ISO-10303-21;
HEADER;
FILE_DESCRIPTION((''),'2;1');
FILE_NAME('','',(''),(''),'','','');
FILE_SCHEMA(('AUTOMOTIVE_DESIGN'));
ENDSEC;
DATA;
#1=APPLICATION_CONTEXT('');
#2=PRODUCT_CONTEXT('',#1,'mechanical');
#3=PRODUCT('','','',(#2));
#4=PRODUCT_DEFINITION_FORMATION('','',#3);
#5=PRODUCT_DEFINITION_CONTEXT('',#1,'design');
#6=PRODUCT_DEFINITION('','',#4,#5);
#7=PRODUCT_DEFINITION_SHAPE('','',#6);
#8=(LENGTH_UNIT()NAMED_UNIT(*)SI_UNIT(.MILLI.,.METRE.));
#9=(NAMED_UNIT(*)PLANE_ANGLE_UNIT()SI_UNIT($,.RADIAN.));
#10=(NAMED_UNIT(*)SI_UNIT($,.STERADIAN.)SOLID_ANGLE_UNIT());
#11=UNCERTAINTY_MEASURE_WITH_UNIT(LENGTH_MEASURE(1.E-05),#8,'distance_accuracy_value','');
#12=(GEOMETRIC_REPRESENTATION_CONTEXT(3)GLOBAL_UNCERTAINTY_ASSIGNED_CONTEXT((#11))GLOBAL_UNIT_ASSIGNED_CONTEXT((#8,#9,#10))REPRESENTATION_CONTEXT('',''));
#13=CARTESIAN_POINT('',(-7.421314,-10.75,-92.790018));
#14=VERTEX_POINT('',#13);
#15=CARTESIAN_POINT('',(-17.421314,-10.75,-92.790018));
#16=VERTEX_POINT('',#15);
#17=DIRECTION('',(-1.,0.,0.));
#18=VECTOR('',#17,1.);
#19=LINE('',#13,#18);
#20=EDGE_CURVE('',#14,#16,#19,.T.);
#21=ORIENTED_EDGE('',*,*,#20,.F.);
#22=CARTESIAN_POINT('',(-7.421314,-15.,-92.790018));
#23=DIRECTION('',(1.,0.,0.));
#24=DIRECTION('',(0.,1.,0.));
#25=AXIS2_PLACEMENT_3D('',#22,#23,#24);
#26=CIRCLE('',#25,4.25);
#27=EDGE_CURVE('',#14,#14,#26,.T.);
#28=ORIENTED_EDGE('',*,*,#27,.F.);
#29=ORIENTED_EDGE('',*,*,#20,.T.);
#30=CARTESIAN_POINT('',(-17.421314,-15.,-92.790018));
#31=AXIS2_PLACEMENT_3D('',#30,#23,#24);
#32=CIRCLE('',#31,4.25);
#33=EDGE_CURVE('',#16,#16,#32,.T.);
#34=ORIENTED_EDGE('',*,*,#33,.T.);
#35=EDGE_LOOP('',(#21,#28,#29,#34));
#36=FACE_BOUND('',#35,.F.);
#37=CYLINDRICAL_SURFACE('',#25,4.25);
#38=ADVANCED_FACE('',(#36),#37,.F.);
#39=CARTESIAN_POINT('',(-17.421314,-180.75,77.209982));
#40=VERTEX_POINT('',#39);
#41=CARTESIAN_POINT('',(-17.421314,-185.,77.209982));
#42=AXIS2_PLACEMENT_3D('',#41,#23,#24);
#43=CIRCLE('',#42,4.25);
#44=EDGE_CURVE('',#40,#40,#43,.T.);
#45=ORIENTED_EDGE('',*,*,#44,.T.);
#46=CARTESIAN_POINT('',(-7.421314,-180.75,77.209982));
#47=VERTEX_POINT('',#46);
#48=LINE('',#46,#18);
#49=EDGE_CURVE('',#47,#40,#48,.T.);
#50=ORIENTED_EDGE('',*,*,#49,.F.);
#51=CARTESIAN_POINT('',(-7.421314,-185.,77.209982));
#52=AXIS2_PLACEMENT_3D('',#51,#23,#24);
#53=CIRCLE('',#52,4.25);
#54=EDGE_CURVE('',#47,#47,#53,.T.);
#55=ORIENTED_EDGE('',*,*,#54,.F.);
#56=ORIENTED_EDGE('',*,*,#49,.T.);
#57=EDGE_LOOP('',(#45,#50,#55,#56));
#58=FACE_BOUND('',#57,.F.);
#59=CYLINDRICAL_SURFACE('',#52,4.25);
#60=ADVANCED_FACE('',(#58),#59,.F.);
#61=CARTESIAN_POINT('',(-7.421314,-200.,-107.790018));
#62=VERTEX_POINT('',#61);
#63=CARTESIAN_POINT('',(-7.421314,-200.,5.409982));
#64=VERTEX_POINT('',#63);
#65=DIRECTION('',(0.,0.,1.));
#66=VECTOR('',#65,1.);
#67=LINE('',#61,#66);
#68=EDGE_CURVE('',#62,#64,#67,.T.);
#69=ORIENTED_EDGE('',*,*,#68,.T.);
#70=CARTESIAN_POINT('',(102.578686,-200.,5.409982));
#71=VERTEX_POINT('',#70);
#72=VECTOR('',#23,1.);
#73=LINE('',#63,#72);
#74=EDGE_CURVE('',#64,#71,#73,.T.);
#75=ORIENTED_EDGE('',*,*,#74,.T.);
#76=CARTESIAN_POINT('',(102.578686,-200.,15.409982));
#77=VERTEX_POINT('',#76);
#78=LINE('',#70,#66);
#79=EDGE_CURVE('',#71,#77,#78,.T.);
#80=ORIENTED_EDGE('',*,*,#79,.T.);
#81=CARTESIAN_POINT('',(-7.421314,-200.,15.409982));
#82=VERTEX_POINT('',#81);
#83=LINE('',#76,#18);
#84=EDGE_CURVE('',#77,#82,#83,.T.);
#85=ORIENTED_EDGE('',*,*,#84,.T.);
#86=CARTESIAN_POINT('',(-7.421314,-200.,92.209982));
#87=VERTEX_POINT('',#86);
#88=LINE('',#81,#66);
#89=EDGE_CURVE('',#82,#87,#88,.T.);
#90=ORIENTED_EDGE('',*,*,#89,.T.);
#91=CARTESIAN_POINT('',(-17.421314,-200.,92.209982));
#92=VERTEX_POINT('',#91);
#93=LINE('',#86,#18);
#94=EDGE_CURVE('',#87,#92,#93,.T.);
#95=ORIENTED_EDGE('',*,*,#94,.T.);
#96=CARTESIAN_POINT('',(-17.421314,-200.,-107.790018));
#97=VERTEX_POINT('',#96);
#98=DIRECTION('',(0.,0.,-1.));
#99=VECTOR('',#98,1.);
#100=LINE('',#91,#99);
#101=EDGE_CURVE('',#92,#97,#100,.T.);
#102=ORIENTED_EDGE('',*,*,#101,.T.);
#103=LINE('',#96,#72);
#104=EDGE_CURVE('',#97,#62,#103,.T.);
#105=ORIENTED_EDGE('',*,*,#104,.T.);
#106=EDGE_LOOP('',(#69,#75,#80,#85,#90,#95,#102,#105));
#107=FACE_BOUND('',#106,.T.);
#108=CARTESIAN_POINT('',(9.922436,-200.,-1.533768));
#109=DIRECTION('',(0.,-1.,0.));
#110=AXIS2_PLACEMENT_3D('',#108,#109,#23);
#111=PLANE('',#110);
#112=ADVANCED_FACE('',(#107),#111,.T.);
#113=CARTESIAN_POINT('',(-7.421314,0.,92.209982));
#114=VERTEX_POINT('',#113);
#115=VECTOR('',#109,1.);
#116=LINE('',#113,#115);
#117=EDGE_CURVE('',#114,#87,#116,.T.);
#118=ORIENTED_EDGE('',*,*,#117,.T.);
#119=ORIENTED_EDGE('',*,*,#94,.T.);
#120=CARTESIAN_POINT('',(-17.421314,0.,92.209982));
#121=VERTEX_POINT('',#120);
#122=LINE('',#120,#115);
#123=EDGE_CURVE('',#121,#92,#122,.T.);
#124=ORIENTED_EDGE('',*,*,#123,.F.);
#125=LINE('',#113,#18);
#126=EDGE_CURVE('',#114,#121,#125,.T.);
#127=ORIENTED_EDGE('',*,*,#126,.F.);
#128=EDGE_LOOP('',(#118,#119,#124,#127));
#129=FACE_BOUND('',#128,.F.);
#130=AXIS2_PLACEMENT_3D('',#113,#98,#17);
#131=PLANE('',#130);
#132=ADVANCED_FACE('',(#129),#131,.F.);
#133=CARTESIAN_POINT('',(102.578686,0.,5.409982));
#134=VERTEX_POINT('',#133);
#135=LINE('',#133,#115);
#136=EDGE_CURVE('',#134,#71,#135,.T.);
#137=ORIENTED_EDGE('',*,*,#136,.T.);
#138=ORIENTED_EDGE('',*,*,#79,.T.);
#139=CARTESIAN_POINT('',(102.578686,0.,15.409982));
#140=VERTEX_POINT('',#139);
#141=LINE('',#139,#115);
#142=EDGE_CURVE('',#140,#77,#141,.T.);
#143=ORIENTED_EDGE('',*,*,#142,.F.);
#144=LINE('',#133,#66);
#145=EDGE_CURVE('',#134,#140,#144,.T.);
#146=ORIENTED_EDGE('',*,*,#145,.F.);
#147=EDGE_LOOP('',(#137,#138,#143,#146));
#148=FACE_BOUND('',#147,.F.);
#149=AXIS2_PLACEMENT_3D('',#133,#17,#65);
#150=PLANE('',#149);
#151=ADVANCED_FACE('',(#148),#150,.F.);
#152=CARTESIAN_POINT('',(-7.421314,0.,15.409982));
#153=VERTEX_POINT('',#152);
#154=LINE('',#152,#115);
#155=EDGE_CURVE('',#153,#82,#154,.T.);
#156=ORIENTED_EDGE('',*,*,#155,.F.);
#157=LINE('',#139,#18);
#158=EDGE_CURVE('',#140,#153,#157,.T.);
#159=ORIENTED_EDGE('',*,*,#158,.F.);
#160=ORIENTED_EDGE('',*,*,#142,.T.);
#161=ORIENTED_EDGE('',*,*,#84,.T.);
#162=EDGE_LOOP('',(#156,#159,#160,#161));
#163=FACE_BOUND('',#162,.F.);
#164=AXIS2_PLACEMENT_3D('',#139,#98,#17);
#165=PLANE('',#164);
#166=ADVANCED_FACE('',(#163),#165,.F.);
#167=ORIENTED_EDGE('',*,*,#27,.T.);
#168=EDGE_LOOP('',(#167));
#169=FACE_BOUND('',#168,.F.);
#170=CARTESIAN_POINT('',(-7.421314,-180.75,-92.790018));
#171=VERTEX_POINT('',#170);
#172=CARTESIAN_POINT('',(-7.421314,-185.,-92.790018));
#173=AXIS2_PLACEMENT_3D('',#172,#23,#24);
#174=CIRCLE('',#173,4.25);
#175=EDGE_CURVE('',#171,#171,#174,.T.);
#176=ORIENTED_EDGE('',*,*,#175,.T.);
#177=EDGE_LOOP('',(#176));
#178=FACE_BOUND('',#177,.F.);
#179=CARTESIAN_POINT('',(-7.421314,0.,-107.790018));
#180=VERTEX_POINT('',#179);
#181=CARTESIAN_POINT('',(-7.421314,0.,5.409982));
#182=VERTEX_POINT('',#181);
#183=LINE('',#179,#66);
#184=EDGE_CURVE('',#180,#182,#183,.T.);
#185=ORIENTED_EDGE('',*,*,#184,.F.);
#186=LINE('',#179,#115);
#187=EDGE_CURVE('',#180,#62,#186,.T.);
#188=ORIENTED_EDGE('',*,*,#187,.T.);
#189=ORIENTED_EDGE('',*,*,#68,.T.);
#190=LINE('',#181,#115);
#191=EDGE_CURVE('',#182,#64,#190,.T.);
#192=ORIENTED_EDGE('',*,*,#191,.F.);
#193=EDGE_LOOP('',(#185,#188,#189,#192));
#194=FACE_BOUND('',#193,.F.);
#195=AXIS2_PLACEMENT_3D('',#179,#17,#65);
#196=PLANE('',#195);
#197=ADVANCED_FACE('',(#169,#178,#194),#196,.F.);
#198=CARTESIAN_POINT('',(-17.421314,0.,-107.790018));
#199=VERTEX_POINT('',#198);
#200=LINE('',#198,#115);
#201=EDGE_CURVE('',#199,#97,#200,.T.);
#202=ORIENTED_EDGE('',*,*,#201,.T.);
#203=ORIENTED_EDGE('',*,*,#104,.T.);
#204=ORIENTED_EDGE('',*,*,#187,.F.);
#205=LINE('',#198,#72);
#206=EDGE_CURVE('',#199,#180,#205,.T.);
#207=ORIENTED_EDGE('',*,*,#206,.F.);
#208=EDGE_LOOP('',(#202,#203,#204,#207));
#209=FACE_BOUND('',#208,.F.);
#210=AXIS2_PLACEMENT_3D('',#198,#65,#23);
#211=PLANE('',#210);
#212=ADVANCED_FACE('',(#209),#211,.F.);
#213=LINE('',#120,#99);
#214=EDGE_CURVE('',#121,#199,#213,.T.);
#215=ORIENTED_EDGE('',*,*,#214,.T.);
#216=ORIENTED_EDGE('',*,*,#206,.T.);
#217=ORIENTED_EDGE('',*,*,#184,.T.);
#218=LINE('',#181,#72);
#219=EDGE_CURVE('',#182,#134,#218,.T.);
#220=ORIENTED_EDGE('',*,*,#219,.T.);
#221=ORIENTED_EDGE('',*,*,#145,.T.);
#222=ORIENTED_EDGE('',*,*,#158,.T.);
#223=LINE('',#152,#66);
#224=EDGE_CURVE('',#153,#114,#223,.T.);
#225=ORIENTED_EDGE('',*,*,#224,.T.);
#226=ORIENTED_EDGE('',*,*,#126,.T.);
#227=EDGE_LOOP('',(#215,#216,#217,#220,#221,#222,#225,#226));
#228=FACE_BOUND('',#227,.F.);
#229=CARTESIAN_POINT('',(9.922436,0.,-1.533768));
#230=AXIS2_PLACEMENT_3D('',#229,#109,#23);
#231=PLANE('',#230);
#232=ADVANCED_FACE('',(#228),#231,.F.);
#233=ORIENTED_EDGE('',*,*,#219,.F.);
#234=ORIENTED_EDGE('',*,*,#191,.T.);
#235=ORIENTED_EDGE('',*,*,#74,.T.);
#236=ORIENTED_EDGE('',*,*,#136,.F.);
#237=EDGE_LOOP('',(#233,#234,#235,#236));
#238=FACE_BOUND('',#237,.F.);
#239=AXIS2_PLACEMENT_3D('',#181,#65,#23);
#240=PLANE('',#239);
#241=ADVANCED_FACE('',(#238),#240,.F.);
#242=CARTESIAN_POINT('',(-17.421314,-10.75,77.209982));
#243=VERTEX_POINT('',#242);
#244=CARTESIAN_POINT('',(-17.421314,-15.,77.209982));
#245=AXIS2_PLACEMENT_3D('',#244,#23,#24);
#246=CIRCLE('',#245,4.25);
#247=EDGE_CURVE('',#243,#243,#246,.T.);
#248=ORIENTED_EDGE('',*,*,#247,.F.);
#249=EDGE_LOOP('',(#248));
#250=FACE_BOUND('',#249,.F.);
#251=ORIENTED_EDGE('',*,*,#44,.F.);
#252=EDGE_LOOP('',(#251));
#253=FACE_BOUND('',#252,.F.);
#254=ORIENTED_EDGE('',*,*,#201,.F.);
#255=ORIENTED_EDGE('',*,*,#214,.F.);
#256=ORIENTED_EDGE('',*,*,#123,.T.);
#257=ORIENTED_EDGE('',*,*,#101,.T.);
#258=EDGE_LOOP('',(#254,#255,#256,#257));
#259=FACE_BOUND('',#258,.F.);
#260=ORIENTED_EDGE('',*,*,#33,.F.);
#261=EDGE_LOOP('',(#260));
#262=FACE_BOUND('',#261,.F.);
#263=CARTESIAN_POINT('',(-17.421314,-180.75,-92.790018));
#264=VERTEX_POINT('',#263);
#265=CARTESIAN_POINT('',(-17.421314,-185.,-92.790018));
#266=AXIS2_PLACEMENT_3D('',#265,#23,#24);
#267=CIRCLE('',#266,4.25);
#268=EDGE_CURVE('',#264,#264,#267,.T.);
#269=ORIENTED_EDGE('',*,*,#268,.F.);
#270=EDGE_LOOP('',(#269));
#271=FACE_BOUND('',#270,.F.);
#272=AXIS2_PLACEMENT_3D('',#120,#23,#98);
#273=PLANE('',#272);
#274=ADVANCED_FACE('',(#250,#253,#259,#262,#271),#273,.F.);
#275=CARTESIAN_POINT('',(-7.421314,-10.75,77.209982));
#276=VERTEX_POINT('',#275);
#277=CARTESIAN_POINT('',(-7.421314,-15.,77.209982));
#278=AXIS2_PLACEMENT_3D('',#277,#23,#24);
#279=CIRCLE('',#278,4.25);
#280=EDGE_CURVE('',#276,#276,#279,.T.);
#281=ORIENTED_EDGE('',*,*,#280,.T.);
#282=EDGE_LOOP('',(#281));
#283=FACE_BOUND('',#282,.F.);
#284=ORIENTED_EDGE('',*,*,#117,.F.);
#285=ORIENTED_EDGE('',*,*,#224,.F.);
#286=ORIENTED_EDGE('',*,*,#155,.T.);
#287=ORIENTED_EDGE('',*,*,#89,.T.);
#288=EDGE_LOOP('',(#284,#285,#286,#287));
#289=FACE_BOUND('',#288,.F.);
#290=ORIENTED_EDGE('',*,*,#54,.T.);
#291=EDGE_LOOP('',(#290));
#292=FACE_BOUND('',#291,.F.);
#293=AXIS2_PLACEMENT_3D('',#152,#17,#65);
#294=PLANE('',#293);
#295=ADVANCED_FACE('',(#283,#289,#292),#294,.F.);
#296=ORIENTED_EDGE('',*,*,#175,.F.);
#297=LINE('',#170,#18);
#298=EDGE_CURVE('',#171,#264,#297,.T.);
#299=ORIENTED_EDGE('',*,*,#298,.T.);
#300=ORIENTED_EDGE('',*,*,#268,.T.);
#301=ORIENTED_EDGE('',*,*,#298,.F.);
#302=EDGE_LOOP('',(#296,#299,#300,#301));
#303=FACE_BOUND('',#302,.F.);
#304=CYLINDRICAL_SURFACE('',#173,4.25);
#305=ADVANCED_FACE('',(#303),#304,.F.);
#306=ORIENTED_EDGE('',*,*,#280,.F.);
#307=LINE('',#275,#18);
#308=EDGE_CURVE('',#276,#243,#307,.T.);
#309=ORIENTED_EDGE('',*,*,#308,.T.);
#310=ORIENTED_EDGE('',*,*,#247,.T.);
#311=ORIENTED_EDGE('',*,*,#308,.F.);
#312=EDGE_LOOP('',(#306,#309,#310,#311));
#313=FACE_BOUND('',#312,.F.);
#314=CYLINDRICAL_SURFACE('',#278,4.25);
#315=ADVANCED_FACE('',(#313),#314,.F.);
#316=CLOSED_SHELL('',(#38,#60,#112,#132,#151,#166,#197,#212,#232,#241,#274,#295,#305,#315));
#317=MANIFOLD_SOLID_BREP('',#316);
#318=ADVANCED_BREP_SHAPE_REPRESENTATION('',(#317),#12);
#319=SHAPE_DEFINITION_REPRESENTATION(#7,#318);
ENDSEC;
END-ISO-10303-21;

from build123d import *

# Parameters (mm, degrees)
F1_DEPTH = 200
F2_R     = 4.25
F3_DEPTH = 25


with BuildPart() as f1:
    # F0 (on Front) → F1 (new body)
    with BuildSketch(Plane.XZ):
        Polygon((-7.421314, 92.209982), (-17.421314, 92.209982), (-17.421314, -107.790018), (-7.421314, -107.790018), (-7.421314, -64.590018), (-7.421314, 5.409982), (62.578686, 5.409982), (102.578686, 5.409982), (102.578686, 15.409982), (-7.421314, 15.409982), align=None)
    extrude(amount=F1_DEPTH)

    # F2 (on face) → F3 (cut)
    with BuildSketch(Plane.YZ.offset(-7.421314)):
        with Locations((-185, 77.209982)):
            Circle(F2_R)
        with Locations((-15, 77.209982)):
            Circle(F2_R)
        with Locations((-185, -92.790018)):
            Circle(F2_R)
        with Locations((-15, -92.790018)):
            Circle(F2_R)
    extrude(amount=-F3_DEPTH, mode=Mode.SUBTRACT)


solid = f1.part
